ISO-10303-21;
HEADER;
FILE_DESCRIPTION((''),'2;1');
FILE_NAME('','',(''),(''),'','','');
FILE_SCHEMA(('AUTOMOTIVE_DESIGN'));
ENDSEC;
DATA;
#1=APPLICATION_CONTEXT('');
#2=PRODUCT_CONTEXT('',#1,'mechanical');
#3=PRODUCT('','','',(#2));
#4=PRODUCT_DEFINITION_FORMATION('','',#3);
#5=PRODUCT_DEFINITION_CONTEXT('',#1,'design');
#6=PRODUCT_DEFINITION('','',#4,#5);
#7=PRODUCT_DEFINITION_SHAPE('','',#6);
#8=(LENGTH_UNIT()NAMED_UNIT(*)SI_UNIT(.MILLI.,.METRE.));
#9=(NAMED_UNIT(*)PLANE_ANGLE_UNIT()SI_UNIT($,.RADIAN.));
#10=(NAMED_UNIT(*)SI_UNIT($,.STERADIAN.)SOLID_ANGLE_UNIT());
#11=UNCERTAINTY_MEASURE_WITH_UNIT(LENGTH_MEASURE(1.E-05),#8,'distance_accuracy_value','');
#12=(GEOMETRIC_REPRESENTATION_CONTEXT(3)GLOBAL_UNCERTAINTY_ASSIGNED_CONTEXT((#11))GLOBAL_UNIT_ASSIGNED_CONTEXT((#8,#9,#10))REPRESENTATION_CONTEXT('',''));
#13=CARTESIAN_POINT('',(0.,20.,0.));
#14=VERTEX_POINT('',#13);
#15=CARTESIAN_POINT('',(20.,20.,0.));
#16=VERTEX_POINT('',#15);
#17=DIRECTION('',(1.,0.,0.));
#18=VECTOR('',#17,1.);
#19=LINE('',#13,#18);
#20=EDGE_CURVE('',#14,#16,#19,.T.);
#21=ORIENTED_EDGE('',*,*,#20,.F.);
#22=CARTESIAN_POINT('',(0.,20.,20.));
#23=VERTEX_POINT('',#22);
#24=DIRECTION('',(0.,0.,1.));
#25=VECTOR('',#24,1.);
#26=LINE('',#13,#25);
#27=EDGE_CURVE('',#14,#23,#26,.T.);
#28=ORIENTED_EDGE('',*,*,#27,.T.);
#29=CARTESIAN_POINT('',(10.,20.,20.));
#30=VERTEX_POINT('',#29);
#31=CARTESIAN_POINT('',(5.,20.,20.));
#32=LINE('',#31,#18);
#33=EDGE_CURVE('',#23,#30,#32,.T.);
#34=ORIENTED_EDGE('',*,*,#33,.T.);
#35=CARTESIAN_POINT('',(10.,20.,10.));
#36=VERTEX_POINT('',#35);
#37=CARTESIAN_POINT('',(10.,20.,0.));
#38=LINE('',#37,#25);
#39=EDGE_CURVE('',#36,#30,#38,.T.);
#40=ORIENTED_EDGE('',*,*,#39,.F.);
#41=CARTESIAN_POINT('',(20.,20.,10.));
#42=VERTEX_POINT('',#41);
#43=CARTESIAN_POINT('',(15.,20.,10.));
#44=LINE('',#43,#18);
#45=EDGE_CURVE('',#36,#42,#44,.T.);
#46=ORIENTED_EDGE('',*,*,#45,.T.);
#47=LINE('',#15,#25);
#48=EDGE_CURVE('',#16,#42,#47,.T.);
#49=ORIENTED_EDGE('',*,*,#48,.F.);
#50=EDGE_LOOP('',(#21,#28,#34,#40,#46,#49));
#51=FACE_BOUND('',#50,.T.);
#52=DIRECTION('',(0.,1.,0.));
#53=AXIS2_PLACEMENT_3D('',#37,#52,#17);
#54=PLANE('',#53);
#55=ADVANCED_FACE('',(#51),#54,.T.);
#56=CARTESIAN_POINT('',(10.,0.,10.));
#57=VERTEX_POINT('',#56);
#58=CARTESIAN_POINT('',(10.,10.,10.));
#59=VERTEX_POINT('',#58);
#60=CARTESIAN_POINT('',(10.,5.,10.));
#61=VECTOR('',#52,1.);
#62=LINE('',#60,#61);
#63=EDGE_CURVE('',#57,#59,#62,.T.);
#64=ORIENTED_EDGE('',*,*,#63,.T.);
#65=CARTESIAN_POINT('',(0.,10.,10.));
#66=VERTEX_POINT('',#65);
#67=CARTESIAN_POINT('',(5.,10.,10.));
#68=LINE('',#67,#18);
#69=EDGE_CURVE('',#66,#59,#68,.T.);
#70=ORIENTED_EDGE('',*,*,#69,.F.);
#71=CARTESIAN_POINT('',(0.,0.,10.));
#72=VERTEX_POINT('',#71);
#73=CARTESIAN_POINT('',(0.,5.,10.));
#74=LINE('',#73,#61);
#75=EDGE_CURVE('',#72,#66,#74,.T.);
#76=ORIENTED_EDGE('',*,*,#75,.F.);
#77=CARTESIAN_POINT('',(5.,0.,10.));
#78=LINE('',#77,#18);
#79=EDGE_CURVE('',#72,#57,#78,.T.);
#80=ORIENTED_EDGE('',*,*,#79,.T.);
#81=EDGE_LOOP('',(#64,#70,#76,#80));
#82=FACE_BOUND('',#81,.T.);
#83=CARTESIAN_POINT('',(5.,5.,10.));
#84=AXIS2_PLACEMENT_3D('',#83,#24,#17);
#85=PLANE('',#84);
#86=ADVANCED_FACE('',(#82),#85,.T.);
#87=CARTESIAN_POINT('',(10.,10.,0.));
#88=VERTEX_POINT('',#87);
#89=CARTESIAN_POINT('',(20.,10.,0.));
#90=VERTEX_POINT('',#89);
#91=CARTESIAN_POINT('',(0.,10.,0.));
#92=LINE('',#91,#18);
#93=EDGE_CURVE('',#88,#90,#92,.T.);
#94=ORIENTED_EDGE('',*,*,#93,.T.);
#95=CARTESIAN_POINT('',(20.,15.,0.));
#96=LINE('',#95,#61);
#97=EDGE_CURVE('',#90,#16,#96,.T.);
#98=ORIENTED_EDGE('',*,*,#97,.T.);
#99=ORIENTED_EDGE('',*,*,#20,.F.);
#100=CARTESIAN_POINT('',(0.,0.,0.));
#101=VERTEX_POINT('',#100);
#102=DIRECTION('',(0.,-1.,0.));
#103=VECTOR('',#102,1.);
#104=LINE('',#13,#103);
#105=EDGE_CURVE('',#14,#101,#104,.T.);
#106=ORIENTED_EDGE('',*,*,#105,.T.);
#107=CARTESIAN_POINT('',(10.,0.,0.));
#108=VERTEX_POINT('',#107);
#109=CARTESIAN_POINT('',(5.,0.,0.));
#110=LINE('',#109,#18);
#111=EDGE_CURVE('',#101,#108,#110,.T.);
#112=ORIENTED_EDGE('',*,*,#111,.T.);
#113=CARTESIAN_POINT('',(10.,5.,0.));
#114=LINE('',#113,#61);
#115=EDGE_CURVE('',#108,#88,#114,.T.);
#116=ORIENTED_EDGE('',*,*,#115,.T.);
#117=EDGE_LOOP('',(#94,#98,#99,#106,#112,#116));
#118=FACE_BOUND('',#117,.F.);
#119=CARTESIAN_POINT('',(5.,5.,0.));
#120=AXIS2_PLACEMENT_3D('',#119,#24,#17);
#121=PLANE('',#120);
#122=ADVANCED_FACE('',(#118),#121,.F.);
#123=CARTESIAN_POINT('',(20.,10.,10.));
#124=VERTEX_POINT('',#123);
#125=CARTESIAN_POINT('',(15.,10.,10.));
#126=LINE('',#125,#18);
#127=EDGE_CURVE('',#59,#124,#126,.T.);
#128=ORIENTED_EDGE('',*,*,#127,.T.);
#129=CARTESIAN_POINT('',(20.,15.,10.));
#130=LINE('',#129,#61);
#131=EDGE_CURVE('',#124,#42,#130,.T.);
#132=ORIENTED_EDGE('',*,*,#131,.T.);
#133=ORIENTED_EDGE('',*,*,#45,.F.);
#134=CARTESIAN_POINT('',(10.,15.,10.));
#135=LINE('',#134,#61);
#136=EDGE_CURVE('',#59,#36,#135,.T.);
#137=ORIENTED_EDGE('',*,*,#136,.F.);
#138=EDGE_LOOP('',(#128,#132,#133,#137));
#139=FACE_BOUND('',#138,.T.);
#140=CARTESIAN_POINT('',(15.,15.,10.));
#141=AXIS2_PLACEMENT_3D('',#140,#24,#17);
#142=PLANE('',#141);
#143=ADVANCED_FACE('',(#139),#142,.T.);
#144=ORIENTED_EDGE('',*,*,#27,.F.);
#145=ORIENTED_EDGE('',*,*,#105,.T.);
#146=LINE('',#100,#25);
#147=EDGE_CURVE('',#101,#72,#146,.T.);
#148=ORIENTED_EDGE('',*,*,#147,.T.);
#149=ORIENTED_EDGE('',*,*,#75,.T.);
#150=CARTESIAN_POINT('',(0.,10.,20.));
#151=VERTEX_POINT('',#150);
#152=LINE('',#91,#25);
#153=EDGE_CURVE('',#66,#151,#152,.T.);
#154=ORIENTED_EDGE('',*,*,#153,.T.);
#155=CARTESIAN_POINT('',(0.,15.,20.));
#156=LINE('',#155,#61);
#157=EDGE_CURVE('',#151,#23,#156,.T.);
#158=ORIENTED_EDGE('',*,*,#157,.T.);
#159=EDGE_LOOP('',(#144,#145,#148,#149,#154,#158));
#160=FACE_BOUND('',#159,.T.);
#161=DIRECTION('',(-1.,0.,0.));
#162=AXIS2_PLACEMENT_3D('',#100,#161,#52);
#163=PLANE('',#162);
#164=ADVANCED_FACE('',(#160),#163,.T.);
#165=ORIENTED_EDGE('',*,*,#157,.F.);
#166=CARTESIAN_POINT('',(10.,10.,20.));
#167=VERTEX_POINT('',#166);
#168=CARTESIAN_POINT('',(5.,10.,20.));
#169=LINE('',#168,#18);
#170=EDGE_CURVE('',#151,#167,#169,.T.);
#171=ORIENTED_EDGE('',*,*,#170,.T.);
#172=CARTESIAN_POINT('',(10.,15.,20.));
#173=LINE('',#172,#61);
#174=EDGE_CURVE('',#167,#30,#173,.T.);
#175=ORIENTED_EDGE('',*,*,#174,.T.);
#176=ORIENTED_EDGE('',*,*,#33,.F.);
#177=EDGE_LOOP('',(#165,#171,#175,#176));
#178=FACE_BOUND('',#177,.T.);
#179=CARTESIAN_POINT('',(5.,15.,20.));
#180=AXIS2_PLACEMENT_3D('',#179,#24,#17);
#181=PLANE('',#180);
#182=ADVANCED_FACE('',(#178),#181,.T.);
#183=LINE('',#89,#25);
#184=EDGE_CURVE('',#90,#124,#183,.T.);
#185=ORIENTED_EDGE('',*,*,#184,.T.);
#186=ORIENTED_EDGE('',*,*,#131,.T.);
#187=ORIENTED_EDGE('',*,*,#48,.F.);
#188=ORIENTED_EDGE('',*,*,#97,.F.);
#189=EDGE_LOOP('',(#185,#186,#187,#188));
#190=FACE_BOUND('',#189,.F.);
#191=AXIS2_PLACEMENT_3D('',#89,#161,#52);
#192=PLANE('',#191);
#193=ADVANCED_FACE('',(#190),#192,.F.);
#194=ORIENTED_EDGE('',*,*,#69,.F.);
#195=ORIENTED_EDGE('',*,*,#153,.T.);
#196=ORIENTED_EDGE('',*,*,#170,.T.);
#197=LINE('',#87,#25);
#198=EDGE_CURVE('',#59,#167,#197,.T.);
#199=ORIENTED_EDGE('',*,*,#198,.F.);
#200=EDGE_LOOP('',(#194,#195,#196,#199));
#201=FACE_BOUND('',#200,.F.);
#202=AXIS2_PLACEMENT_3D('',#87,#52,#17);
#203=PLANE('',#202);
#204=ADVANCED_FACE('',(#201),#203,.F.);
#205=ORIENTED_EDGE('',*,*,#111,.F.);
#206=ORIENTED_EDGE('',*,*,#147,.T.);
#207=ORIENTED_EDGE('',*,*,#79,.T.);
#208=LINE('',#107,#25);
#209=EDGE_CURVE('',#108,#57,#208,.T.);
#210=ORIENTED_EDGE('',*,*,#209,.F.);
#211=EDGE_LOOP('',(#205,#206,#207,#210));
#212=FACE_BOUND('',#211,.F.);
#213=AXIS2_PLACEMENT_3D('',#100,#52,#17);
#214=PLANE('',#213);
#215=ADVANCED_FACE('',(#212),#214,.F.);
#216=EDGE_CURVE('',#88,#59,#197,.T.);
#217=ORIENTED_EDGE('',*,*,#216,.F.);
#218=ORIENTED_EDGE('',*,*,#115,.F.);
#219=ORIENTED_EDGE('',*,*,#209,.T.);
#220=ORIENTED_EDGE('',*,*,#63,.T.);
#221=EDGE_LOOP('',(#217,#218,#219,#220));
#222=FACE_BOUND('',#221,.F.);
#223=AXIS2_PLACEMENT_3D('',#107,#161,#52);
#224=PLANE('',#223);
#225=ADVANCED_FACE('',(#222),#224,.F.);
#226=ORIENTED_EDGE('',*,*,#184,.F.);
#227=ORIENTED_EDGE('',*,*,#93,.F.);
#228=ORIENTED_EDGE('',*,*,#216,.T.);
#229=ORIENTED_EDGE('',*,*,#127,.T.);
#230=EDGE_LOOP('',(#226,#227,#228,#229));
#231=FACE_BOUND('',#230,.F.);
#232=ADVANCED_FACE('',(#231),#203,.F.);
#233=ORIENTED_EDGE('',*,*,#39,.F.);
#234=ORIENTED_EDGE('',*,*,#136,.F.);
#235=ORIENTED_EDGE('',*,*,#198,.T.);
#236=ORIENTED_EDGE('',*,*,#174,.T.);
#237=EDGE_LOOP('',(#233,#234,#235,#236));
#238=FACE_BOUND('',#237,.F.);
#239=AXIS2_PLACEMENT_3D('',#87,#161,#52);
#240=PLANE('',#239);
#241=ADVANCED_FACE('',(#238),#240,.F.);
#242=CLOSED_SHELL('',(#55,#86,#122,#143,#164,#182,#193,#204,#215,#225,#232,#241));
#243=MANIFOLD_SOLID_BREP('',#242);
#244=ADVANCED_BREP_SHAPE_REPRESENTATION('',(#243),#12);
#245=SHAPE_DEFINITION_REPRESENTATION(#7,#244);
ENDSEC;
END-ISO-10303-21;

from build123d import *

# Parameters (mm, degrees)
BOX001_W     = 10
BOX001_H     = 10
BOX001_DEPTH = 10
BOX002_W     = 10
BOX002_H     = 10
BOX002_DEPTH = 10
BOX_W        = 10
BOX_H        = 10
BOX_DEPTH    = 20


with BuildPart() as box001:
    # Box001 → Box001 (new body)
    with BuildSketch(Plane(origin=(10, 10, 0), x_dir=(1, 0, 0), z_dir=(0, 0, 1))):
        with Locations((5, 5)):
            Rectangle(BOX001_W, BOX001_H)
    extrude(amount=BOX001_DEPTH)


with BuildPart() as nivel_2_cub2:
    # Box002 → Box002 (new body)
    with BuildSketch(Plane.XY):
        with Locations((5, 5)):
            Rectangle(BOX002_W, BOX002_H)
    extrude(amount=BOX002_DEPTH)


with BuildPart() as fusion001:
    # Box → Box (new body)
    with BuildSketch(Plane(origin=(0, 10, 0), x_dir=(1, 0, 0), z_dir=(0, 0, 1))):
        with Locations((5, 5)):
            Rectangle(BOX_W, BOX_H)
    extrude(amount=BOX_DEPTH)

    # Fusion: union Box001, NIvel 2- cub2 
    add(box001.part)
    add(nivel_2_cub2.part)


solid = fusion001.part
